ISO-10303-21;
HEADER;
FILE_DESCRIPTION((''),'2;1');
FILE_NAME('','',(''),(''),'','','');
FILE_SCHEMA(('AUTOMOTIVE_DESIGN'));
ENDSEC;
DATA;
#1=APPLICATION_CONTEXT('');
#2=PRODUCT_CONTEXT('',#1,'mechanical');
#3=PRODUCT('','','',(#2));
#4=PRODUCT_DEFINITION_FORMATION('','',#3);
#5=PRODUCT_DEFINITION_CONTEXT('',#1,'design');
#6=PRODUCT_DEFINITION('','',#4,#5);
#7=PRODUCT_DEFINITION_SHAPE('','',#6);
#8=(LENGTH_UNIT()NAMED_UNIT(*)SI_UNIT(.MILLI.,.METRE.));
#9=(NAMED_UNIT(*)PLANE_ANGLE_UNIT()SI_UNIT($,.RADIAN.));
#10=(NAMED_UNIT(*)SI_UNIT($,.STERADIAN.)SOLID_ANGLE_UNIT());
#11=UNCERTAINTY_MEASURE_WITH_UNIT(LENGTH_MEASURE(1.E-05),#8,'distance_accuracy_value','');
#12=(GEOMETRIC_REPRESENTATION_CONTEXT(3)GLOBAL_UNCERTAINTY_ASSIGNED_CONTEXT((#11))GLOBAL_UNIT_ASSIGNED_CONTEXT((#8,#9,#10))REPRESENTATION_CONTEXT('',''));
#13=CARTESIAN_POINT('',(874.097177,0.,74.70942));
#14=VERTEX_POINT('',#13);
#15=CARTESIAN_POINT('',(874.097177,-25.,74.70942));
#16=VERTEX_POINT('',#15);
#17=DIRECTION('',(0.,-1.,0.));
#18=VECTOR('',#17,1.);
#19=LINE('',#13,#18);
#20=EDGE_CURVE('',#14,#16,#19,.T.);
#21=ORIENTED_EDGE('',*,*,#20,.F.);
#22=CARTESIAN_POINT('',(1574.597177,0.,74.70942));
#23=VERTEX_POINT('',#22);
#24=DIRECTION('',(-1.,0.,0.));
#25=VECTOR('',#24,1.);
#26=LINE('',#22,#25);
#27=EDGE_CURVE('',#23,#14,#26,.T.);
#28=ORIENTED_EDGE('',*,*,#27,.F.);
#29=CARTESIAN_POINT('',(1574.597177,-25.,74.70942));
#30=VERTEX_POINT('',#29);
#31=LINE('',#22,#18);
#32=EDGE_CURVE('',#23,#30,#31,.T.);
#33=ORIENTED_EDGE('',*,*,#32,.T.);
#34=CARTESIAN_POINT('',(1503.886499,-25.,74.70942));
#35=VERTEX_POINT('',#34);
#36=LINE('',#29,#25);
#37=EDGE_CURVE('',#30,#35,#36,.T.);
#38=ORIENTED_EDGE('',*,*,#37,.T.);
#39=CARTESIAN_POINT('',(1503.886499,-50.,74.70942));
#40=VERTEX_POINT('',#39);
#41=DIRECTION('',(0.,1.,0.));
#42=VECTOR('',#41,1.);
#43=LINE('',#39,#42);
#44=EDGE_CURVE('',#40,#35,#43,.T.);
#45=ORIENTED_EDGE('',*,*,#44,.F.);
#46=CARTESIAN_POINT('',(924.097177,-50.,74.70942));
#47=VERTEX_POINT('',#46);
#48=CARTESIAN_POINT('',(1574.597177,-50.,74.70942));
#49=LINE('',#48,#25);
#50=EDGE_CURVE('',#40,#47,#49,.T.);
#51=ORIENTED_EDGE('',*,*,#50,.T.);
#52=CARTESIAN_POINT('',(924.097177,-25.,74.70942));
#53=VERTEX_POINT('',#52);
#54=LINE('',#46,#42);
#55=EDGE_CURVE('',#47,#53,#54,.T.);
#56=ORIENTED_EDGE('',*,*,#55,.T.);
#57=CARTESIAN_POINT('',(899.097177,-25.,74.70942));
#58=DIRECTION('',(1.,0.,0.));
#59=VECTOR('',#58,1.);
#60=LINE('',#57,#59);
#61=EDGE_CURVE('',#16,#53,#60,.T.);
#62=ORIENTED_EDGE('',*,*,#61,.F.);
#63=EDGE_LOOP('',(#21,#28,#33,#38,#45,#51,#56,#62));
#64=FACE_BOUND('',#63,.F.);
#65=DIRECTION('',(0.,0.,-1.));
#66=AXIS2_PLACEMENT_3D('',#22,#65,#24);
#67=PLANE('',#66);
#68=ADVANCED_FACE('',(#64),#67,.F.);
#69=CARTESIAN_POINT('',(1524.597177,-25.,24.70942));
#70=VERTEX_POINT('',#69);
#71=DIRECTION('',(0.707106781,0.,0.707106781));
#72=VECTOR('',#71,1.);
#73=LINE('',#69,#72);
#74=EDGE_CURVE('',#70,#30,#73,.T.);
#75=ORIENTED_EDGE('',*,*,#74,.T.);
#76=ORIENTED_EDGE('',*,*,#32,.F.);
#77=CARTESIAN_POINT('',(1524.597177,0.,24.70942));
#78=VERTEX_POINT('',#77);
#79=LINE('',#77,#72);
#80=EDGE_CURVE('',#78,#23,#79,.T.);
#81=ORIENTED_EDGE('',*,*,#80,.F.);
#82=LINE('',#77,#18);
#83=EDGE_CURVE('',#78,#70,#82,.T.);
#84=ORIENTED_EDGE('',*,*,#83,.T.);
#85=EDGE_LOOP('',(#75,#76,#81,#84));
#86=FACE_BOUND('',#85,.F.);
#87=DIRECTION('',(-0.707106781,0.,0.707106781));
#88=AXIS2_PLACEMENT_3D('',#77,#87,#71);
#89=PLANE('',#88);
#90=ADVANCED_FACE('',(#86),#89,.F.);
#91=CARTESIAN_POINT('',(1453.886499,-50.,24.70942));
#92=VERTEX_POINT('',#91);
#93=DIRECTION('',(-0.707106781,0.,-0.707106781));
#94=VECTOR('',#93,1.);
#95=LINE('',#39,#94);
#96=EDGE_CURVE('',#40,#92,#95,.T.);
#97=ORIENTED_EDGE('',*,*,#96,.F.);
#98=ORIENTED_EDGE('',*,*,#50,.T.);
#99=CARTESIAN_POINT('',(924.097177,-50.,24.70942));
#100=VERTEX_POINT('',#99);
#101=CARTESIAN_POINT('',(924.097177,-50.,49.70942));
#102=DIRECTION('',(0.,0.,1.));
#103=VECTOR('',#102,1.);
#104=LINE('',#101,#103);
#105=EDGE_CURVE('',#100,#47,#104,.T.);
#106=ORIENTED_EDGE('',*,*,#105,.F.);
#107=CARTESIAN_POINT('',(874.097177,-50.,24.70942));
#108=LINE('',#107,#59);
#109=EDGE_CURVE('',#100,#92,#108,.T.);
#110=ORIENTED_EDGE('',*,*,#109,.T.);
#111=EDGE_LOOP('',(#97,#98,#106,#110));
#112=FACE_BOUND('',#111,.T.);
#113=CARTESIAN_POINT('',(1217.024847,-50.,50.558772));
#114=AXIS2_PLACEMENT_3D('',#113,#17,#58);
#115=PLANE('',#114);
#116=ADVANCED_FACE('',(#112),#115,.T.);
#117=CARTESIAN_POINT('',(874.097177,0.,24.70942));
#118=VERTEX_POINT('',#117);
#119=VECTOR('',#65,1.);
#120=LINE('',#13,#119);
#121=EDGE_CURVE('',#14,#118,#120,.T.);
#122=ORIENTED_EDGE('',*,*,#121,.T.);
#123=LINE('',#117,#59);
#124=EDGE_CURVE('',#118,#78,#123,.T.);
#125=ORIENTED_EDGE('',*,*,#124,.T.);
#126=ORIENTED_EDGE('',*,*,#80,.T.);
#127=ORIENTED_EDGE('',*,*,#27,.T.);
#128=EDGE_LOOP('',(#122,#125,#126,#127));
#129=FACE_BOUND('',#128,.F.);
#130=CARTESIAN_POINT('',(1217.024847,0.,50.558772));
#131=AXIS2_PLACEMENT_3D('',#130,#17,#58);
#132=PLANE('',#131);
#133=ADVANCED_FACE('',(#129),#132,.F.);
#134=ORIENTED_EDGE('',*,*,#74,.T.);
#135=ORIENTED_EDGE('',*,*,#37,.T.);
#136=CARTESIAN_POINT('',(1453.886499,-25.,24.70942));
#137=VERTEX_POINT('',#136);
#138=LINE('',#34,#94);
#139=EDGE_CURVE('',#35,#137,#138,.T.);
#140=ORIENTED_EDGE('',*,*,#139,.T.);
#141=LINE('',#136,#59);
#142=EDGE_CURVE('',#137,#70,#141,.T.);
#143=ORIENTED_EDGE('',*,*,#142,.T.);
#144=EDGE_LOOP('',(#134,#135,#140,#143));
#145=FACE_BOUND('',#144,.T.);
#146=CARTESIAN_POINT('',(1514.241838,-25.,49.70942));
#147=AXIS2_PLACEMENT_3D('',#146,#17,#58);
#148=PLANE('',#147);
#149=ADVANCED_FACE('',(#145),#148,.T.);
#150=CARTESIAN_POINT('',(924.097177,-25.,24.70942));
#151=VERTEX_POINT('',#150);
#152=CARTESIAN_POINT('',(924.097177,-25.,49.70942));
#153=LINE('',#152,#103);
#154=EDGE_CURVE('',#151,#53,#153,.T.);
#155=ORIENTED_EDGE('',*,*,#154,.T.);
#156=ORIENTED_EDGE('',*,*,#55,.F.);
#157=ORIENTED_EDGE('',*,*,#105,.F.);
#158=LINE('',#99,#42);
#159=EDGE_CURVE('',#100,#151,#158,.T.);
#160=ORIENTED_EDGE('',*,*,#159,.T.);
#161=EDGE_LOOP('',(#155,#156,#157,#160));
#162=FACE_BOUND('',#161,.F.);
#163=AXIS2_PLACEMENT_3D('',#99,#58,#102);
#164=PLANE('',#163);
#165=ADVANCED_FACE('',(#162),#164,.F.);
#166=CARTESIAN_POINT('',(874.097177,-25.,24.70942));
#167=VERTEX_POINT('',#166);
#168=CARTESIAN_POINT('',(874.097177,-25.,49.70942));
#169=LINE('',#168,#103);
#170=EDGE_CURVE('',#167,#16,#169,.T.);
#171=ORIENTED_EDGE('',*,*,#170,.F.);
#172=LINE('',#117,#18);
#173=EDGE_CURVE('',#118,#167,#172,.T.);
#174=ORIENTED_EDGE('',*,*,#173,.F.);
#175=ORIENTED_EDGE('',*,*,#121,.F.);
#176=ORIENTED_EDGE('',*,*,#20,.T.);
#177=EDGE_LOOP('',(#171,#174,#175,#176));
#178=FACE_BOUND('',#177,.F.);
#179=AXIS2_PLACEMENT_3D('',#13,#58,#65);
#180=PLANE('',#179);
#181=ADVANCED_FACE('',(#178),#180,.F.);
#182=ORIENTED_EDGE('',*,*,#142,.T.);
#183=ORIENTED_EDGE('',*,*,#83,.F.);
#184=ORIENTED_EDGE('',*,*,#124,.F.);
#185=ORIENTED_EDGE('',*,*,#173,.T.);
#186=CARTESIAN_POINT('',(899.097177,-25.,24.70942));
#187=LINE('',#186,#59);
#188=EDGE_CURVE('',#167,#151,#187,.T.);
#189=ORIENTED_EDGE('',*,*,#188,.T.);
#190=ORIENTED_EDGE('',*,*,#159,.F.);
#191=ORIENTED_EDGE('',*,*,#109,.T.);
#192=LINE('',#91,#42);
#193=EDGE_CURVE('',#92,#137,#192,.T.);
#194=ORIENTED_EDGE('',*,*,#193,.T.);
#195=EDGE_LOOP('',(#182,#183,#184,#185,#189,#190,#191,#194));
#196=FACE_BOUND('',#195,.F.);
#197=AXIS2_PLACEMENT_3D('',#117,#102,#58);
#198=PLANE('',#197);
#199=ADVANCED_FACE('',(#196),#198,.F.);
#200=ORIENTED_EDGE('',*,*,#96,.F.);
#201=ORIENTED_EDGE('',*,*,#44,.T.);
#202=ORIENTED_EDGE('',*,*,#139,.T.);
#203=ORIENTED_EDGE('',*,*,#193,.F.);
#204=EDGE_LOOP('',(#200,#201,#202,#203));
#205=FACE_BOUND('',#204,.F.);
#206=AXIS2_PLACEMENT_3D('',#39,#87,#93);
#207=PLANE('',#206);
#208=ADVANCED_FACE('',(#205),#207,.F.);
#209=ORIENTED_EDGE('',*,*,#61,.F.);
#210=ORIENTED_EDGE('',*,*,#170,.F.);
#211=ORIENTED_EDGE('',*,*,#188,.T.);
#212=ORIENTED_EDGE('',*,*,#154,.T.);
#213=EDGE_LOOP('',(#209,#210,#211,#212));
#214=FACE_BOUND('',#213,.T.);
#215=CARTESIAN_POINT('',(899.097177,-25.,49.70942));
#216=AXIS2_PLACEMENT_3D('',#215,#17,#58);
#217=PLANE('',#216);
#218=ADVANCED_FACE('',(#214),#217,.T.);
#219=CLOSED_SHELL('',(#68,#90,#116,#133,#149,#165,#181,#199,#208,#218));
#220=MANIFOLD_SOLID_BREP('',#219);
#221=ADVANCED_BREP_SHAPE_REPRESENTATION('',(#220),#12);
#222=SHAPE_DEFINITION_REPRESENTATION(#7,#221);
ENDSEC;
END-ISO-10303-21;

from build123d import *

# Parameters (mm, degrees)
F1_DEPTH = 50
F3_DEPTH = 25
F4_DEPTH = 25
F5_W     = 50
F5_H     = 50
F6_DEPTH = 25


with BuildPart() as f1:
    # F0 (on Front) → F1 (new body)
    with BuildSketch(Plane.XZ):
        Polygon((874.097177, 74.70942), (874.097177, 24.70942), (1524.597177, 24.70942), (1574.597177, 74.70942), align=None)
    extrude(amount=F1_DEPTH)

    # F2 (on face) → F3 (cut)
    with BuildSketch(Plane.XZ.offset(50)):
        Polygon((1524.597177, 24.70942), (1574.597177, 74.70942), (1503.886499, 74.70942), (1453.886499, 24.70942), align=None)
    extrude(amount=-F3_DEPTH, mode=Mode.SUBTRACT)

    # F2 (on face) → F4 (cut)
    with BuildSketch(Plane.XZ.offset(50)):
        Polygon((1524.597177, 24.70942), (1574.597177, 74.70942), (1503.886499, 74.70942), (1453.886499, 24.70942), align=None)
    extrude(amount=-F4_DEPTH, mode=Mode.SUBTRACT)

    # F5 (on face) → F6 (cut)
    with BuildSketch(Plane.XZ.offset(50)):
        with Locations((899.097177, 49.70942)):
            Rectangle(F5_W, F5_H)
    extrude(amount=-F6_DEPTH, mode=Mode.SUBTRACT)


solid = f1.part
